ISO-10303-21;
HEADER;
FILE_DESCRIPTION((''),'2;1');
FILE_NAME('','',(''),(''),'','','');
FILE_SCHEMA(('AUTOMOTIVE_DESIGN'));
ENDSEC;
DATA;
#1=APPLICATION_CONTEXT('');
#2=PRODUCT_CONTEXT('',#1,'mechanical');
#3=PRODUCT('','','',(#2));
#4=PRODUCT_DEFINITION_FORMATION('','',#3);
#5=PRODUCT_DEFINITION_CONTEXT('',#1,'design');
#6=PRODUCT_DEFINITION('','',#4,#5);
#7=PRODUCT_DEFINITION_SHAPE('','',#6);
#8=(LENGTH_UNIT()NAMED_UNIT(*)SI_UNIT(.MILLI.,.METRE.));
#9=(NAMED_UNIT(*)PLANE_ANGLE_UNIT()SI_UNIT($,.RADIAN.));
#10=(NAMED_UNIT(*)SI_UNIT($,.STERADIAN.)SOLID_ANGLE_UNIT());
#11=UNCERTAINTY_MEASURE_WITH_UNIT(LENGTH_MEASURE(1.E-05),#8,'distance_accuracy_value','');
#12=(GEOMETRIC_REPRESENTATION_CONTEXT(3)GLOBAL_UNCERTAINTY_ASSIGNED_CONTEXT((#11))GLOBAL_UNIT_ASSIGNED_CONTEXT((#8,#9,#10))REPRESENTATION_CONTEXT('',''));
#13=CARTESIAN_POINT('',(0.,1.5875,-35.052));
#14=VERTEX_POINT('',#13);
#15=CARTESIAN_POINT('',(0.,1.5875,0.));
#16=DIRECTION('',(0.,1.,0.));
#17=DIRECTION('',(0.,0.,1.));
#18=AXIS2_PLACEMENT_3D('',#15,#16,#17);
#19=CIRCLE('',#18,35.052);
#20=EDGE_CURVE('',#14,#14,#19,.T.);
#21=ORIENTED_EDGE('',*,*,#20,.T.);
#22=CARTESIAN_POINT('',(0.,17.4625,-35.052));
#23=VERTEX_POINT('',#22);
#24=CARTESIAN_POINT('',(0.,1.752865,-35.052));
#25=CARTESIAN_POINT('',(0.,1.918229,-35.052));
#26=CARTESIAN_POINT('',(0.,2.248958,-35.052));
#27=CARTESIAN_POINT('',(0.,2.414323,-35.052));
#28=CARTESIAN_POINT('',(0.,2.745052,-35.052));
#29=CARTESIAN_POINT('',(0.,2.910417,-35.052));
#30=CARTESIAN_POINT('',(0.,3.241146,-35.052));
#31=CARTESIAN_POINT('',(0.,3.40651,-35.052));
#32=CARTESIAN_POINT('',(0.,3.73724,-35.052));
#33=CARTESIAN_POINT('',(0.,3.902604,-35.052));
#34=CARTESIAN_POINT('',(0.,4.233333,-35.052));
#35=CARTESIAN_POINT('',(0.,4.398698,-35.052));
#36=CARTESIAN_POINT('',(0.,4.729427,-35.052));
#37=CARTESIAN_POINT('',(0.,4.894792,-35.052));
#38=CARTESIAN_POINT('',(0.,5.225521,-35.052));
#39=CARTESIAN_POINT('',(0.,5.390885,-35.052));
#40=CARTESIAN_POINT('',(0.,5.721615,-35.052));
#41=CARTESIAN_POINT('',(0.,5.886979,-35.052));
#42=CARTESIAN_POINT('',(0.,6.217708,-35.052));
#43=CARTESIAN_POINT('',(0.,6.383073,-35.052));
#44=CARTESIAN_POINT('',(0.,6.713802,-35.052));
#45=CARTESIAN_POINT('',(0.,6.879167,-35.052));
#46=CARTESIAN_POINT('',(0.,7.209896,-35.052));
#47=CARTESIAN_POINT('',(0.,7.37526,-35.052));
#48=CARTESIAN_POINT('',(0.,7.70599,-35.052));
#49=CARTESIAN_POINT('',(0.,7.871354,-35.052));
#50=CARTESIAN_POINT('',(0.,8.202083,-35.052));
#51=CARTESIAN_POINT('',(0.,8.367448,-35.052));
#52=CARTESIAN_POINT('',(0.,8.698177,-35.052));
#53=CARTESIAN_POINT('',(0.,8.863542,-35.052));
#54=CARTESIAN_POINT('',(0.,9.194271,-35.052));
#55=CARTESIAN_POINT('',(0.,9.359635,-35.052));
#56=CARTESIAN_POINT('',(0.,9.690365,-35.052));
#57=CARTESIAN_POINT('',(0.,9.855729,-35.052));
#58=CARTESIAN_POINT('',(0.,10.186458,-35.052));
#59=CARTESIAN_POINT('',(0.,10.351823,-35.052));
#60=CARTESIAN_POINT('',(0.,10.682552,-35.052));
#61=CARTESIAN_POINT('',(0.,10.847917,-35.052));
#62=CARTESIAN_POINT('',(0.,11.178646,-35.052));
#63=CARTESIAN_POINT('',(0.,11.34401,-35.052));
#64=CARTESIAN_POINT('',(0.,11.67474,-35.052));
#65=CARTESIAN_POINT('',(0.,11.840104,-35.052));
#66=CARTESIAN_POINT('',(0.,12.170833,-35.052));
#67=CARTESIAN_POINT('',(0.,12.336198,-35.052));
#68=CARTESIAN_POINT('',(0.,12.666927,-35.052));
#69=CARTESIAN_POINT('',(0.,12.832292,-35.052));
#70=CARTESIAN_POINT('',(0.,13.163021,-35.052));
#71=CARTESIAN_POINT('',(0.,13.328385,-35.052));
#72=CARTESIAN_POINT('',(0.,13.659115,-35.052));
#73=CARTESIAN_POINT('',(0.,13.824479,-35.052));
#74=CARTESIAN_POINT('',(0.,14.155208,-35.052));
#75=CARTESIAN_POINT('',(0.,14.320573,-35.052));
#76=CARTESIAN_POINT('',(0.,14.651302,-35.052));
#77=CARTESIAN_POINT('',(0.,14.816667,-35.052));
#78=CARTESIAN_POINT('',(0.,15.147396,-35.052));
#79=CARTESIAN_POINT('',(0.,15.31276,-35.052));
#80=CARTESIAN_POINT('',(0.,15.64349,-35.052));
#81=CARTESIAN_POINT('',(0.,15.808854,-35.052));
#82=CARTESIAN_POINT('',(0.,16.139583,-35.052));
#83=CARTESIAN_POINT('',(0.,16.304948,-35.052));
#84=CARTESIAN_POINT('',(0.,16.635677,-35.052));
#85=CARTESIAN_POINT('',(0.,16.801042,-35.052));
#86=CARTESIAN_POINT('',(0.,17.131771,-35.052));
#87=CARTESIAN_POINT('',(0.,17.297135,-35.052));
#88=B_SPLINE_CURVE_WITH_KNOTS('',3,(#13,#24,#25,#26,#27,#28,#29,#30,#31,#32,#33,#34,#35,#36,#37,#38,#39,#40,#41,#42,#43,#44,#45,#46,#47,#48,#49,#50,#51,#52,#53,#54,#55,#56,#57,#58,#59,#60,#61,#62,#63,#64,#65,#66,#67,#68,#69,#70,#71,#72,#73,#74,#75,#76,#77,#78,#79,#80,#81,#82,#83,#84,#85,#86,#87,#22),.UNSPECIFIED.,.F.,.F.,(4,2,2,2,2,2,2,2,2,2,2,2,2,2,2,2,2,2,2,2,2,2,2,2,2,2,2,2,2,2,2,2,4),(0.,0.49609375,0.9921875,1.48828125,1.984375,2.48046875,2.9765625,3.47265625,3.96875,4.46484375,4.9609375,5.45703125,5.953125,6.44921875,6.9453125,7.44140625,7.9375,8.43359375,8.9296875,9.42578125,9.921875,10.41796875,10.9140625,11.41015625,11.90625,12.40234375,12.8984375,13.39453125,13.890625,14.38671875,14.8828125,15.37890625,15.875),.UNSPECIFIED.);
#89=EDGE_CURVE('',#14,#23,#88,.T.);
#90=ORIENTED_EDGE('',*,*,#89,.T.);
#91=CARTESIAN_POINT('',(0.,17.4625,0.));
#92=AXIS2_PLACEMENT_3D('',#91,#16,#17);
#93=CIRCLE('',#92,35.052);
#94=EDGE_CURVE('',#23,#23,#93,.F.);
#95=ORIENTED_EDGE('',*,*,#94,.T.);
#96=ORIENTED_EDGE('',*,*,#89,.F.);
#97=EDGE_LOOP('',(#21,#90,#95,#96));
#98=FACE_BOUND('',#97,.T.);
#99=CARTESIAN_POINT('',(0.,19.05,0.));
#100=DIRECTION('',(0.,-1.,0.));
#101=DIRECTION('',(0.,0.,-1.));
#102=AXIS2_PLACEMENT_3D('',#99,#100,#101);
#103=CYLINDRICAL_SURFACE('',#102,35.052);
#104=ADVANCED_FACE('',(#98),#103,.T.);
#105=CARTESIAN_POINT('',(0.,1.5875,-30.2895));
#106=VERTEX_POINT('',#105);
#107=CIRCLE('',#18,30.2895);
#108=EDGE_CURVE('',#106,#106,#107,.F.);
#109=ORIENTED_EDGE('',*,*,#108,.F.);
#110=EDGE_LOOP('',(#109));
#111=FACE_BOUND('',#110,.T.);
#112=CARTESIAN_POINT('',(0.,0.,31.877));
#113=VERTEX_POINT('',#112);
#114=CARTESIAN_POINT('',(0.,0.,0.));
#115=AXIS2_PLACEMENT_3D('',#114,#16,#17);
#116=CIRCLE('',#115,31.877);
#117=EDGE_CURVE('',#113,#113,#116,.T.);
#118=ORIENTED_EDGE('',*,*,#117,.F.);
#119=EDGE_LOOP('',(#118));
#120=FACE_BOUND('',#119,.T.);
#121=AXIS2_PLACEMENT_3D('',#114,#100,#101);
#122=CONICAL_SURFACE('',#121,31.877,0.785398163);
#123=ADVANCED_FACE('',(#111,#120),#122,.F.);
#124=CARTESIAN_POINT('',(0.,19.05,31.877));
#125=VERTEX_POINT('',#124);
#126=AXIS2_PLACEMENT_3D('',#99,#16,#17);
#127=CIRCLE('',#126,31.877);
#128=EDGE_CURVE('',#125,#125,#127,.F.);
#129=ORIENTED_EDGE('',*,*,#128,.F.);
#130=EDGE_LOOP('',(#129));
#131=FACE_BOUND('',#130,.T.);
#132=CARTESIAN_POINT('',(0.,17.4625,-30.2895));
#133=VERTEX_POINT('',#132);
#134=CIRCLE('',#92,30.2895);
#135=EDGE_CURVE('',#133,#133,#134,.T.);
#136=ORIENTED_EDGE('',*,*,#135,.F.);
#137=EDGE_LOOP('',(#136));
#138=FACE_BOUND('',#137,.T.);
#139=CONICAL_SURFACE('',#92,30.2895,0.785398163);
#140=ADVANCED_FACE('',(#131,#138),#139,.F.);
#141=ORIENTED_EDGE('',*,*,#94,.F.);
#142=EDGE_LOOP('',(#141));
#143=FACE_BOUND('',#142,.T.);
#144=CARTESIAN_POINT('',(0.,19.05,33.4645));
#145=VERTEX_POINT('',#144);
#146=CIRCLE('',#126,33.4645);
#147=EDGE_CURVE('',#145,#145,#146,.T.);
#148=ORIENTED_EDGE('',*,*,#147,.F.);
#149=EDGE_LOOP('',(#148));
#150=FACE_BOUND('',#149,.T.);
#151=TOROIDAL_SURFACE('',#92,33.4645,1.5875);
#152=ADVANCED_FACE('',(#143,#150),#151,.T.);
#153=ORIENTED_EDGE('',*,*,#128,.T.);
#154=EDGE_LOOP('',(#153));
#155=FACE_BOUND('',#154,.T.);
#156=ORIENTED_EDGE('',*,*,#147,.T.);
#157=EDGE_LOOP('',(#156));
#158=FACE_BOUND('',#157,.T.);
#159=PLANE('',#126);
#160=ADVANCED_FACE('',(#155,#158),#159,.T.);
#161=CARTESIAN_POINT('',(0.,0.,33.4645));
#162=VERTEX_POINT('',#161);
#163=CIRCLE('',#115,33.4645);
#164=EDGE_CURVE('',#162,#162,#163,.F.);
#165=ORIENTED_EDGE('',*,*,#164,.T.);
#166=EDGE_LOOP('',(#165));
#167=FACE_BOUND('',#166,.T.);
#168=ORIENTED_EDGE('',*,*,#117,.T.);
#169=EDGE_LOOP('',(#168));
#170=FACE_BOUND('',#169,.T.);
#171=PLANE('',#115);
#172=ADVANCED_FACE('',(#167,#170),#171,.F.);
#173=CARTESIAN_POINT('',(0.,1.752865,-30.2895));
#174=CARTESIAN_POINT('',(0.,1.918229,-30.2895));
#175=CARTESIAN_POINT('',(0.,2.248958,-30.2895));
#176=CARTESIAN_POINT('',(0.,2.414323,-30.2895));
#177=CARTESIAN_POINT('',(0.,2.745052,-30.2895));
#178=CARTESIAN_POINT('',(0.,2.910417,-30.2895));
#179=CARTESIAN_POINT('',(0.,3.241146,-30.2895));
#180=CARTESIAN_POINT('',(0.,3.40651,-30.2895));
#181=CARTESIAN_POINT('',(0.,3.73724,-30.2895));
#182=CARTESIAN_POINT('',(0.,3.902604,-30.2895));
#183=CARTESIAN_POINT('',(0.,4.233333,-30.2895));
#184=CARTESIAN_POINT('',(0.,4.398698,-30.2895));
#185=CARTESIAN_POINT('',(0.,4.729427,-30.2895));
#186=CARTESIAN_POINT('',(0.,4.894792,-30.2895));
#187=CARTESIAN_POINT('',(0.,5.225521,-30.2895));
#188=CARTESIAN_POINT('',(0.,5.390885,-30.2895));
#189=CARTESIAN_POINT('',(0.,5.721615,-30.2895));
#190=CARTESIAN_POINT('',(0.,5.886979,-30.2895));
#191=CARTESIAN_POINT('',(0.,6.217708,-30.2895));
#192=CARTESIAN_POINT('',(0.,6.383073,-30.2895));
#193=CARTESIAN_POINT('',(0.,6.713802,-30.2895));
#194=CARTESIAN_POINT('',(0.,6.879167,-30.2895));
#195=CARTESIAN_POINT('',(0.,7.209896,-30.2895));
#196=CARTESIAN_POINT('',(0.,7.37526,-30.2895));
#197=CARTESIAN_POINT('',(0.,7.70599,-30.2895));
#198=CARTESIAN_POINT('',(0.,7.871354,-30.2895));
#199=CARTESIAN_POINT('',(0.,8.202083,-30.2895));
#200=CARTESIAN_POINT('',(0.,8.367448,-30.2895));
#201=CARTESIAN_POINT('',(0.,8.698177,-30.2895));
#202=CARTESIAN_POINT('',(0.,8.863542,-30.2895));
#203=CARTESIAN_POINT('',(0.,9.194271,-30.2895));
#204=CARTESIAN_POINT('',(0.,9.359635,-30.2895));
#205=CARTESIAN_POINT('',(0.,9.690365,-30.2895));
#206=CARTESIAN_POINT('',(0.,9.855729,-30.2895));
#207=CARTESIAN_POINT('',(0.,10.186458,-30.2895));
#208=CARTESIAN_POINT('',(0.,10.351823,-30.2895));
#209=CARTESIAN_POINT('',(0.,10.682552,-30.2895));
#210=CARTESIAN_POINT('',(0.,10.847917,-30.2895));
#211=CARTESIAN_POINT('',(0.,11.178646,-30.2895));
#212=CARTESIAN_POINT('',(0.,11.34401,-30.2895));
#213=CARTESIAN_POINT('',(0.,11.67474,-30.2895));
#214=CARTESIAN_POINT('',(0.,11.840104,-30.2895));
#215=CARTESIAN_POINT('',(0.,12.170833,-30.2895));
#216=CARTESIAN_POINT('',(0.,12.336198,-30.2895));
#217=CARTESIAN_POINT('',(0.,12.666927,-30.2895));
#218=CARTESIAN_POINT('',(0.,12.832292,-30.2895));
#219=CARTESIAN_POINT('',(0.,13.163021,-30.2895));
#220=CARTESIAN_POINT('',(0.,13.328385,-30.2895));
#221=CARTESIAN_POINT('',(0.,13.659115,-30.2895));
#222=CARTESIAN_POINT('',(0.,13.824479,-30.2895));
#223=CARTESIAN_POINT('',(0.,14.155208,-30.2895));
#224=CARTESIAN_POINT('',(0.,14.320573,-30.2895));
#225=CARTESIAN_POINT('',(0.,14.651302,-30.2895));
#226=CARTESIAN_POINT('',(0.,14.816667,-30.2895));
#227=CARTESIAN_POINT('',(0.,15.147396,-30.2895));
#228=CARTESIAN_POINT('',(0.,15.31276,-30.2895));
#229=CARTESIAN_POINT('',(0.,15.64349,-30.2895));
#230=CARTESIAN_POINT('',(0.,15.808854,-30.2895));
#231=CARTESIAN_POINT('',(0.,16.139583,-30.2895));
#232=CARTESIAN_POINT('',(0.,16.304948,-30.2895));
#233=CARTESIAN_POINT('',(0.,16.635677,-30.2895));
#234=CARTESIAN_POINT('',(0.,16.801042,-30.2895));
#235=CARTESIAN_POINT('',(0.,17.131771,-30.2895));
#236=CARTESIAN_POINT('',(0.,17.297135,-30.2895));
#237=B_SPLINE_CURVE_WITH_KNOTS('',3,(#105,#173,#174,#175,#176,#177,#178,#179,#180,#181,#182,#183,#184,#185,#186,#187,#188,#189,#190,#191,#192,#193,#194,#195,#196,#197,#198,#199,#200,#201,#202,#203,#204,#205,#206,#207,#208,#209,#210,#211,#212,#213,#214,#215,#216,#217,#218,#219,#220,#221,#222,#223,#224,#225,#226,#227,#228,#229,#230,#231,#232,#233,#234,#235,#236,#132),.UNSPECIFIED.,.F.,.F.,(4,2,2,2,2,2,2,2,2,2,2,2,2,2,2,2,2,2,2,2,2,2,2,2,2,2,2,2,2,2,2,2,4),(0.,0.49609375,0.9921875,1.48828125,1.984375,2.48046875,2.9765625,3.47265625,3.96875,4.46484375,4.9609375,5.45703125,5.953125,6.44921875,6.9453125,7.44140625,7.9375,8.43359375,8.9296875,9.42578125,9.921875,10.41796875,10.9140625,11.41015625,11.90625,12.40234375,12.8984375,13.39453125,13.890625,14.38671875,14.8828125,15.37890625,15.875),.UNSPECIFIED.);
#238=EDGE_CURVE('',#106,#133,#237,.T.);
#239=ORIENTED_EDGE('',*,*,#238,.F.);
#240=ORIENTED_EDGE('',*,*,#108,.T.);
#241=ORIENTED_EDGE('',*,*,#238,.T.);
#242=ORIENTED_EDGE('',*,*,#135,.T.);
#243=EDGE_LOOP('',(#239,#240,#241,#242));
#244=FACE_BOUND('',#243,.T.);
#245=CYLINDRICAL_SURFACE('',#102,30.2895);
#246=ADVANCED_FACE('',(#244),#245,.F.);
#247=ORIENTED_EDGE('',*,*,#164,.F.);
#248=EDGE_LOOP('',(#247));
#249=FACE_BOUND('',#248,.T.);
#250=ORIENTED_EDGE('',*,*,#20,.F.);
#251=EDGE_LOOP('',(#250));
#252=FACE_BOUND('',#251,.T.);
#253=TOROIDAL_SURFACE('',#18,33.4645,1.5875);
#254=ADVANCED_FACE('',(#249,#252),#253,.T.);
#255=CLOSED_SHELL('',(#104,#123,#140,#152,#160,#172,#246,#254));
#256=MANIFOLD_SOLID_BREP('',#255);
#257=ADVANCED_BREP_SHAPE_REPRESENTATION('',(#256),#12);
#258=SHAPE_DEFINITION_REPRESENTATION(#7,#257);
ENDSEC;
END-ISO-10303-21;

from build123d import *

# Parameters (mm, degrees)
SKETCH1_R           = 35.052
SKETCH1_R_2         = 30.2895
BOSS_EXTRUDE1_DEPTH = 19.05
FILLET1_R           = 1.5875
CHAMFER1_SIZE       = 1.5875


with BuildPart() as part:
    # Sketch1 → Boss-Extrude1 (new body)
    with BuildSketch(Plane(origin=(0, 0, 0), x_dir=(1, 0, 0), z_dir=(0, 1, 0))):
        with Locations(Location((0, 0, 0), (0, 0, 90))):
            Circle(SKETCH1_R)
        with Locations(Location((0, 0, 0), (0, 0, 90))):
            Circle(SKETCH1_R_2, mode=Mode.SUBTRACT)
    extrude(amount=BOSS_EXTRUDE1_DEPTH)

    # Fillet1
    fillet1_edges = [part.edges().sort_by_distance(p)[0] for p in [
        (0, 0, 35.052),
        (0, 19.05, 35.052),
    ]]
    fillet(fillet1_edges, radius=FILLET1_R)

    # Chamfer1
    chamfer1_edges = [part.edges().sort_by_distance(p)[0] for p in [
        (0, 0, 30.2895),
        (0, 19.05, 30.2895),
    ]]
    chamfer(chamfer1_edges, length=CHAMFER1_SIZE)


solid = part.part
